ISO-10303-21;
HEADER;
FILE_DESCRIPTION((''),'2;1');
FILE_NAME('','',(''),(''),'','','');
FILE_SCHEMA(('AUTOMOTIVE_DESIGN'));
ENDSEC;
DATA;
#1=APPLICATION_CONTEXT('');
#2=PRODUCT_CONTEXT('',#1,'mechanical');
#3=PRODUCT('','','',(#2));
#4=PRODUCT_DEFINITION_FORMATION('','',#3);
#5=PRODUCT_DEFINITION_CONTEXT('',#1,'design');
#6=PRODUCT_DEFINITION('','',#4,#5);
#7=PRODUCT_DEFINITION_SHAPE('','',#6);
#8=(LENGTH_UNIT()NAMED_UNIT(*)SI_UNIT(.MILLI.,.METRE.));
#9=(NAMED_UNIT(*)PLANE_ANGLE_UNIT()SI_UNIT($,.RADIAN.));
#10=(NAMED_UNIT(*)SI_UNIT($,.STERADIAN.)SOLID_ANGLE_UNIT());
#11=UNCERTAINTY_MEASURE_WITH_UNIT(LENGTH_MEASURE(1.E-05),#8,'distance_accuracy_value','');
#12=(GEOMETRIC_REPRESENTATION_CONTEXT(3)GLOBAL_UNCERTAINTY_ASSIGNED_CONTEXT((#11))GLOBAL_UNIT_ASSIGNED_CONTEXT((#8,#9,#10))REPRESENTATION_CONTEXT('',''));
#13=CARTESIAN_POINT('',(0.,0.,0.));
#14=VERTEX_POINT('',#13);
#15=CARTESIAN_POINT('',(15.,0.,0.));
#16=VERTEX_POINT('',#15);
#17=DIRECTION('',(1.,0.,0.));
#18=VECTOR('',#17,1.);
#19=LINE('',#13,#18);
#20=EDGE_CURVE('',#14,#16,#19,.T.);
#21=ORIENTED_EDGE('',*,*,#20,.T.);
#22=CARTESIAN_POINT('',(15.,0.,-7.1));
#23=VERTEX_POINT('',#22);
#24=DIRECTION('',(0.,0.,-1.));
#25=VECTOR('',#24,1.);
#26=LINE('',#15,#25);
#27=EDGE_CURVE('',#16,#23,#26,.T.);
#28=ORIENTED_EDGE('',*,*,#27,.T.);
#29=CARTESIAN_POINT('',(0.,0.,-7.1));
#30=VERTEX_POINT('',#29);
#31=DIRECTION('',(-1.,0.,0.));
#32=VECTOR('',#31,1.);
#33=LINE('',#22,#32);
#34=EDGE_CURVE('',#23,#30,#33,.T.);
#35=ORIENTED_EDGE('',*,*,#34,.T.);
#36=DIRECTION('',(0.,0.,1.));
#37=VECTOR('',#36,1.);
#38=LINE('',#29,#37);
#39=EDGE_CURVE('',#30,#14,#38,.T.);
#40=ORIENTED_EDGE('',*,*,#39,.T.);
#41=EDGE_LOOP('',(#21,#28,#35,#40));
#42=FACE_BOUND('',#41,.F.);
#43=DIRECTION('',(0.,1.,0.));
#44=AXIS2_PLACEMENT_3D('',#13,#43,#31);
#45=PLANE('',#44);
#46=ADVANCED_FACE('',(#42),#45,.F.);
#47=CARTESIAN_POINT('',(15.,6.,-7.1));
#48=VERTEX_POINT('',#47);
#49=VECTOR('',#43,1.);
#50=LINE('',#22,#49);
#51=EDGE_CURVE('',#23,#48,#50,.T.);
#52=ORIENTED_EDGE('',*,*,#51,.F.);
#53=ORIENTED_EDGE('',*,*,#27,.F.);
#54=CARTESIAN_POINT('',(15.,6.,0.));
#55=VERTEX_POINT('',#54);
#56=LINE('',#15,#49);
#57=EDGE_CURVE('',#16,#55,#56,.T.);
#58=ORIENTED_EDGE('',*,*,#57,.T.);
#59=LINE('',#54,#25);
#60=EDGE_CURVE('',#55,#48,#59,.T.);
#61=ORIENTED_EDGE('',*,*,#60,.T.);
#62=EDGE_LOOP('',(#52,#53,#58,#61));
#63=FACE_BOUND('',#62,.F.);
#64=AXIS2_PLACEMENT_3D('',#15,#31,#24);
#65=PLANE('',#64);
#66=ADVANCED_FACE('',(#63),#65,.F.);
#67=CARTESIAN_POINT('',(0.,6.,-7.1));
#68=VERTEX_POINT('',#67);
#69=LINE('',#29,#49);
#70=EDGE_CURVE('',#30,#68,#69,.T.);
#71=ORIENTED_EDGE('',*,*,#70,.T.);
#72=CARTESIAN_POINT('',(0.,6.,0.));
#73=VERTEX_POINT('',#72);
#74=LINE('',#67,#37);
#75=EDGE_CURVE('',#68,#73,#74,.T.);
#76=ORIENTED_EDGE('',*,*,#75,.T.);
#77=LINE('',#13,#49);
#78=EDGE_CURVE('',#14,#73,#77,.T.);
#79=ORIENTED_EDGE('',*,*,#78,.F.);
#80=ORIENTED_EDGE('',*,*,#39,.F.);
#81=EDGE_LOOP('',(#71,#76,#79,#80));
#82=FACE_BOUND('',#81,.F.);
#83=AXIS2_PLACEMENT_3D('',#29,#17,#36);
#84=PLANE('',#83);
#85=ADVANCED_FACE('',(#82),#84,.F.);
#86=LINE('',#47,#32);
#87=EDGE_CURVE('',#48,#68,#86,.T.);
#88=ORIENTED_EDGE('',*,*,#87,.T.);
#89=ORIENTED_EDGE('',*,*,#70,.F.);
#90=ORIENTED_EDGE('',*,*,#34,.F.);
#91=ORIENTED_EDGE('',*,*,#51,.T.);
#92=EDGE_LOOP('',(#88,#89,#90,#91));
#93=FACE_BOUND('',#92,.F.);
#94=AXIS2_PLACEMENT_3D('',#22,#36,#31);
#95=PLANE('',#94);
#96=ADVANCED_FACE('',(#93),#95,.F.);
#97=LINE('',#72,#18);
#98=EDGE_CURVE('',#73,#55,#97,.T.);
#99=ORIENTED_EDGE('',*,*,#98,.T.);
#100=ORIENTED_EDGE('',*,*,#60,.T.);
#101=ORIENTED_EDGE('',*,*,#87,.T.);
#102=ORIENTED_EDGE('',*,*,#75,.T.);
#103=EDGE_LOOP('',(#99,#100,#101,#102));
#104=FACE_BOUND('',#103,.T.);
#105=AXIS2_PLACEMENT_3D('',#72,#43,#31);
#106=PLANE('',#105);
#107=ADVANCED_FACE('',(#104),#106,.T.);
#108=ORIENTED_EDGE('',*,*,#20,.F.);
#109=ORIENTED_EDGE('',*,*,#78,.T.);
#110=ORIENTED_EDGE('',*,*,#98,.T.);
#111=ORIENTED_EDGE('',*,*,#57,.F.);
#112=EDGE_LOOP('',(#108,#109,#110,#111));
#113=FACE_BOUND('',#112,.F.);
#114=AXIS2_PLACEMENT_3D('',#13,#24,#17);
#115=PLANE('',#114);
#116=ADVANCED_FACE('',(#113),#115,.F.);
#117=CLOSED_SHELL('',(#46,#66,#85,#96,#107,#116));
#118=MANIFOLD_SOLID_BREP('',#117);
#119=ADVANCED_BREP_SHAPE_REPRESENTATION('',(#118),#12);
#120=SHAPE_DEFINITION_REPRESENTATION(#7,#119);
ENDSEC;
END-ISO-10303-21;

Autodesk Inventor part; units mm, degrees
ref_plane "YZ Plane" through (0, 0, 0) normal (1, 0, 0) x (0, 1, 0)
ref_plane "XZ Plane" through (0, 0, 0) normal (0, 1, 0) x (-1, 0, 0)
ref_plane "XY Plane" through (0, 0, 0) normal (0, 0, 1) x (1, 0, 0)
sketch "Sketch1" plane through (0, 0, 0) normal (0, 1, 0) x (-1, 0, 0)
  line L0 (0, 0) -> (-15, 0)
  line L1 (-15, 0) -> (-15, -7.1)
  line L2 (-15, -7.1) -> (0, -7.1)
  line L3 (0, -7.1) -> (0, 0)
  dimension "d0" = 15
  dimension "d1" = 7.1
extrude "Extrusion1" add sketch "Sketch1" along normal blind 6
properties part number "gear_lock"
